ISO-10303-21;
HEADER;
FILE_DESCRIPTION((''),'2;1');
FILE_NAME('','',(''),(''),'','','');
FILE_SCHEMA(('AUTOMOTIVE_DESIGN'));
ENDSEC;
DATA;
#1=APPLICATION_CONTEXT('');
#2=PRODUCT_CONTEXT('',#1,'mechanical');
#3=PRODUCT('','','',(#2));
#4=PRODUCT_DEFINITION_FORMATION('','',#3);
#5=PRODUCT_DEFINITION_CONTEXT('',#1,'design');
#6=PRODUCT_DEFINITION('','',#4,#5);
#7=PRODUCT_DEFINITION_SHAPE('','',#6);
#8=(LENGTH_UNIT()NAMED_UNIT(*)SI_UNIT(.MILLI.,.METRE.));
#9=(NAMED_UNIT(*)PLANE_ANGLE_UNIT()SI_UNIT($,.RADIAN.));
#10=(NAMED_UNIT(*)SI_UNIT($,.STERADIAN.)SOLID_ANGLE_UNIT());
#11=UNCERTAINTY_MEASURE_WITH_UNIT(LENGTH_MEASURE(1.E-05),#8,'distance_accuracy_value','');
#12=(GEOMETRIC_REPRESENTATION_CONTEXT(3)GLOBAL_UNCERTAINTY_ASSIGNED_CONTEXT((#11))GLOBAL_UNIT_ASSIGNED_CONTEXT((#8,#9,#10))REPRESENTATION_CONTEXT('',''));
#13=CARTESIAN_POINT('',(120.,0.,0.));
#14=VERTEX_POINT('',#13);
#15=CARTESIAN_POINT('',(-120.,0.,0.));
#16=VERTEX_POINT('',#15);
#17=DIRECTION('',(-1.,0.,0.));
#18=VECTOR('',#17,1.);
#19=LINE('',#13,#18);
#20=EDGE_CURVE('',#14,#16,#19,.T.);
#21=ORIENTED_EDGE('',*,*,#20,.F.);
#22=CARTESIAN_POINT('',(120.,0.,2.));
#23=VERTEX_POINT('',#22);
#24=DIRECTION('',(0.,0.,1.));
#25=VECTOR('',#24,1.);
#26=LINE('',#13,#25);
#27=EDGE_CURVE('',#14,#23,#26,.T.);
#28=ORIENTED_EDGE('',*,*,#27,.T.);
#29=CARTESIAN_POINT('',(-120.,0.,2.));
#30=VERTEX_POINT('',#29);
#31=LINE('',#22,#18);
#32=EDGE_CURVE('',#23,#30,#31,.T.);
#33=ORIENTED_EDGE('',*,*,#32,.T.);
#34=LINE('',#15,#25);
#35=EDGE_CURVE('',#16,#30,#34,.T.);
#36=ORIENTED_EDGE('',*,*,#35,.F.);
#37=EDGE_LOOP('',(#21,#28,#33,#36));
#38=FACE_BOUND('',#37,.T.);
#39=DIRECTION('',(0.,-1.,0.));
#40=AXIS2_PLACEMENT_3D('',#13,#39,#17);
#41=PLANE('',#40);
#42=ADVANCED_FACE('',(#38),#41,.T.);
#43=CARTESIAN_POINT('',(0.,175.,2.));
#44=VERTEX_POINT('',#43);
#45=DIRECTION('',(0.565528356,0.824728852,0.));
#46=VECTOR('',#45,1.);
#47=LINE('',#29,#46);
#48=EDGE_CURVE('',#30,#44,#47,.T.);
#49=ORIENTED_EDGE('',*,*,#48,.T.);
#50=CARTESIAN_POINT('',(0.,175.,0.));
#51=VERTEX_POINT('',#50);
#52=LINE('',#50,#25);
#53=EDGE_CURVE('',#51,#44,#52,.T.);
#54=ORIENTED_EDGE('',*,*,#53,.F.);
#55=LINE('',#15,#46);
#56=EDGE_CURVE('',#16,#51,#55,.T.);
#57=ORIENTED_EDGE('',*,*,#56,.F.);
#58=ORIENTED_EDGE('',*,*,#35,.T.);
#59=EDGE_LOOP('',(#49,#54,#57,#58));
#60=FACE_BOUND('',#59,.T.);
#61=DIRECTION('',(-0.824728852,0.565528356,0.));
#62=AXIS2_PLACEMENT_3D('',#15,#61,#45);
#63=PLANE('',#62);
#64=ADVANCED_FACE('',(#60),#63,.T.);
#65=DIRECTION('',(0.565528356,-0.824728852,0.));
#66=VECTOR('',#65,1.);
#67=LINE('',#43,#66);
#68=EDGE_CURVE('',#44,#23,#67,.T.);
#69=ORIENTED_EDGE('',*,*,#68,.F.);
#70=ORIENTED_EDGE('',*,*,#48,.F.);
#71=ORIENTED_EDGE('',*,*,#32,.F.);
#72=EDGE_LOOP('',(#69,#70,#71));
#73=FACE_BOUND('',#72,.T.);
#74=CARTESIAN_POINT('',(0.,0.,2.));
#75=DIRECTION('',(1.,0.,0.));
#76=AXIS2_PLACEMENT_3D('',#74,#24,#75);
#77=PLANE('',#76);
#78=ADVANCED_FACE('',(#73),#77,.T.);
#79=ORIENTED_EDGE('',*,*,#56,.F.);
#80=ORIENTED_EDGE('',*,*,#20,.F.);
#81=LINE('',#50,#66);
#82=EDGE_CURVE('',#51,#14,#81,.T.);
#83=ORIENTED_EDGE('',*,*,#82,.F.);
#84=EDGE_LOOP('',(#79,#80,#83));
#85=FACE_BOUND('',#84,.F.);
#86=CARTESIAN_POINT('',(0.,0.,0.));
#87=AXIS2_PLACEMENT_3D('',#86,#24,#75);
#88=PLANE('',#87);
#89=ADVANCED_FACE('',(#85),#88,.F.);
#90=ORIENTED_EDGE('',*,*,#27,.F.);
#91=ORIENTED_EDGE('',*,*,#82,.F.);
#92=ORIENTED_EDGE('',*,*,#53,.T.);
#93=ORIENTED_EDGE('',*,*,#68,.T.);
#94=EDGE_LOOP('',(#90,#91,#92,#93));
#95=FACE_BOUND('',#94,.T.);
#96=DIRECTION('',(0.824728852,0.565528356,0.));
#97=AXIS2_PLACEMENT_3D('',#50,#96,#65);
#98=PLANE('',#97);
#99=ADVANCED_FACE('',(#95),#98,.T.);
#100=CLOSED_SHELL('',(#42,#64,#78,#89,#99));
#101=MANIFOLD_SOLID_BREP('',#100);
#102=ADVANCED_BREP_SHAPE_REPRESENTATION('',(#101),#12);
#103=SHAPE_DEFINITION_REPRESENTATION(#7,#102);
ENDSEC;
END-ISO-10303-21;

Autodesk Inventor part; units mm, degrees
ref_plane "YZ Plane" through (0, 0, 0) normal (1, 0, 0) x (0, 1, 0)
ref_plane "XZ Plane" through (0, 0, 0) normal (0, 1, 0) x (-1, 0, 0)
ref_plane "XY Plane" through (0, 0, 0) normal (0, 0, 1) x (1, 0, 0)
sketch "Sketch2" plane through (0, 0, 0) normal (0, 0, 1) x (1, 0, 0)
  line L0 (120, 0) -> (-120, 0)
  line L1 (-120, 0) -> (0, 175)
  line L2 (0, 175) -> (120, 0)
  point P0 (0, 0)
  point P1 (0, 0)
  dimension "d8" = 240
  dimension "d9" = 175
extrude "Plate1" add sketch "Sketch2" along normal blind 2
equation "\"d7\" = Thickness"
equation "\"BendReliefWidth\" = Thickness"
equation "\"BendReliefDepth\" = 0.5 * Thickness"
equation "\"CornerReliefSize\" = 4 * Thickness"
equation "\"MinimumRemnant\" = 2 * Thickness"
equation "\"TransitionRadius\" = BendRadius"
equation "\"JacobiRadiusSize\" = BendRadius"
equation "\"GapSize\" = Thickness"
equation "\"Thickness\" = 2"
equation "\"BendRadius\" = 2.75"
properties part number "MSC 103 ROСKET NOSE" material "Stainless Steel"
